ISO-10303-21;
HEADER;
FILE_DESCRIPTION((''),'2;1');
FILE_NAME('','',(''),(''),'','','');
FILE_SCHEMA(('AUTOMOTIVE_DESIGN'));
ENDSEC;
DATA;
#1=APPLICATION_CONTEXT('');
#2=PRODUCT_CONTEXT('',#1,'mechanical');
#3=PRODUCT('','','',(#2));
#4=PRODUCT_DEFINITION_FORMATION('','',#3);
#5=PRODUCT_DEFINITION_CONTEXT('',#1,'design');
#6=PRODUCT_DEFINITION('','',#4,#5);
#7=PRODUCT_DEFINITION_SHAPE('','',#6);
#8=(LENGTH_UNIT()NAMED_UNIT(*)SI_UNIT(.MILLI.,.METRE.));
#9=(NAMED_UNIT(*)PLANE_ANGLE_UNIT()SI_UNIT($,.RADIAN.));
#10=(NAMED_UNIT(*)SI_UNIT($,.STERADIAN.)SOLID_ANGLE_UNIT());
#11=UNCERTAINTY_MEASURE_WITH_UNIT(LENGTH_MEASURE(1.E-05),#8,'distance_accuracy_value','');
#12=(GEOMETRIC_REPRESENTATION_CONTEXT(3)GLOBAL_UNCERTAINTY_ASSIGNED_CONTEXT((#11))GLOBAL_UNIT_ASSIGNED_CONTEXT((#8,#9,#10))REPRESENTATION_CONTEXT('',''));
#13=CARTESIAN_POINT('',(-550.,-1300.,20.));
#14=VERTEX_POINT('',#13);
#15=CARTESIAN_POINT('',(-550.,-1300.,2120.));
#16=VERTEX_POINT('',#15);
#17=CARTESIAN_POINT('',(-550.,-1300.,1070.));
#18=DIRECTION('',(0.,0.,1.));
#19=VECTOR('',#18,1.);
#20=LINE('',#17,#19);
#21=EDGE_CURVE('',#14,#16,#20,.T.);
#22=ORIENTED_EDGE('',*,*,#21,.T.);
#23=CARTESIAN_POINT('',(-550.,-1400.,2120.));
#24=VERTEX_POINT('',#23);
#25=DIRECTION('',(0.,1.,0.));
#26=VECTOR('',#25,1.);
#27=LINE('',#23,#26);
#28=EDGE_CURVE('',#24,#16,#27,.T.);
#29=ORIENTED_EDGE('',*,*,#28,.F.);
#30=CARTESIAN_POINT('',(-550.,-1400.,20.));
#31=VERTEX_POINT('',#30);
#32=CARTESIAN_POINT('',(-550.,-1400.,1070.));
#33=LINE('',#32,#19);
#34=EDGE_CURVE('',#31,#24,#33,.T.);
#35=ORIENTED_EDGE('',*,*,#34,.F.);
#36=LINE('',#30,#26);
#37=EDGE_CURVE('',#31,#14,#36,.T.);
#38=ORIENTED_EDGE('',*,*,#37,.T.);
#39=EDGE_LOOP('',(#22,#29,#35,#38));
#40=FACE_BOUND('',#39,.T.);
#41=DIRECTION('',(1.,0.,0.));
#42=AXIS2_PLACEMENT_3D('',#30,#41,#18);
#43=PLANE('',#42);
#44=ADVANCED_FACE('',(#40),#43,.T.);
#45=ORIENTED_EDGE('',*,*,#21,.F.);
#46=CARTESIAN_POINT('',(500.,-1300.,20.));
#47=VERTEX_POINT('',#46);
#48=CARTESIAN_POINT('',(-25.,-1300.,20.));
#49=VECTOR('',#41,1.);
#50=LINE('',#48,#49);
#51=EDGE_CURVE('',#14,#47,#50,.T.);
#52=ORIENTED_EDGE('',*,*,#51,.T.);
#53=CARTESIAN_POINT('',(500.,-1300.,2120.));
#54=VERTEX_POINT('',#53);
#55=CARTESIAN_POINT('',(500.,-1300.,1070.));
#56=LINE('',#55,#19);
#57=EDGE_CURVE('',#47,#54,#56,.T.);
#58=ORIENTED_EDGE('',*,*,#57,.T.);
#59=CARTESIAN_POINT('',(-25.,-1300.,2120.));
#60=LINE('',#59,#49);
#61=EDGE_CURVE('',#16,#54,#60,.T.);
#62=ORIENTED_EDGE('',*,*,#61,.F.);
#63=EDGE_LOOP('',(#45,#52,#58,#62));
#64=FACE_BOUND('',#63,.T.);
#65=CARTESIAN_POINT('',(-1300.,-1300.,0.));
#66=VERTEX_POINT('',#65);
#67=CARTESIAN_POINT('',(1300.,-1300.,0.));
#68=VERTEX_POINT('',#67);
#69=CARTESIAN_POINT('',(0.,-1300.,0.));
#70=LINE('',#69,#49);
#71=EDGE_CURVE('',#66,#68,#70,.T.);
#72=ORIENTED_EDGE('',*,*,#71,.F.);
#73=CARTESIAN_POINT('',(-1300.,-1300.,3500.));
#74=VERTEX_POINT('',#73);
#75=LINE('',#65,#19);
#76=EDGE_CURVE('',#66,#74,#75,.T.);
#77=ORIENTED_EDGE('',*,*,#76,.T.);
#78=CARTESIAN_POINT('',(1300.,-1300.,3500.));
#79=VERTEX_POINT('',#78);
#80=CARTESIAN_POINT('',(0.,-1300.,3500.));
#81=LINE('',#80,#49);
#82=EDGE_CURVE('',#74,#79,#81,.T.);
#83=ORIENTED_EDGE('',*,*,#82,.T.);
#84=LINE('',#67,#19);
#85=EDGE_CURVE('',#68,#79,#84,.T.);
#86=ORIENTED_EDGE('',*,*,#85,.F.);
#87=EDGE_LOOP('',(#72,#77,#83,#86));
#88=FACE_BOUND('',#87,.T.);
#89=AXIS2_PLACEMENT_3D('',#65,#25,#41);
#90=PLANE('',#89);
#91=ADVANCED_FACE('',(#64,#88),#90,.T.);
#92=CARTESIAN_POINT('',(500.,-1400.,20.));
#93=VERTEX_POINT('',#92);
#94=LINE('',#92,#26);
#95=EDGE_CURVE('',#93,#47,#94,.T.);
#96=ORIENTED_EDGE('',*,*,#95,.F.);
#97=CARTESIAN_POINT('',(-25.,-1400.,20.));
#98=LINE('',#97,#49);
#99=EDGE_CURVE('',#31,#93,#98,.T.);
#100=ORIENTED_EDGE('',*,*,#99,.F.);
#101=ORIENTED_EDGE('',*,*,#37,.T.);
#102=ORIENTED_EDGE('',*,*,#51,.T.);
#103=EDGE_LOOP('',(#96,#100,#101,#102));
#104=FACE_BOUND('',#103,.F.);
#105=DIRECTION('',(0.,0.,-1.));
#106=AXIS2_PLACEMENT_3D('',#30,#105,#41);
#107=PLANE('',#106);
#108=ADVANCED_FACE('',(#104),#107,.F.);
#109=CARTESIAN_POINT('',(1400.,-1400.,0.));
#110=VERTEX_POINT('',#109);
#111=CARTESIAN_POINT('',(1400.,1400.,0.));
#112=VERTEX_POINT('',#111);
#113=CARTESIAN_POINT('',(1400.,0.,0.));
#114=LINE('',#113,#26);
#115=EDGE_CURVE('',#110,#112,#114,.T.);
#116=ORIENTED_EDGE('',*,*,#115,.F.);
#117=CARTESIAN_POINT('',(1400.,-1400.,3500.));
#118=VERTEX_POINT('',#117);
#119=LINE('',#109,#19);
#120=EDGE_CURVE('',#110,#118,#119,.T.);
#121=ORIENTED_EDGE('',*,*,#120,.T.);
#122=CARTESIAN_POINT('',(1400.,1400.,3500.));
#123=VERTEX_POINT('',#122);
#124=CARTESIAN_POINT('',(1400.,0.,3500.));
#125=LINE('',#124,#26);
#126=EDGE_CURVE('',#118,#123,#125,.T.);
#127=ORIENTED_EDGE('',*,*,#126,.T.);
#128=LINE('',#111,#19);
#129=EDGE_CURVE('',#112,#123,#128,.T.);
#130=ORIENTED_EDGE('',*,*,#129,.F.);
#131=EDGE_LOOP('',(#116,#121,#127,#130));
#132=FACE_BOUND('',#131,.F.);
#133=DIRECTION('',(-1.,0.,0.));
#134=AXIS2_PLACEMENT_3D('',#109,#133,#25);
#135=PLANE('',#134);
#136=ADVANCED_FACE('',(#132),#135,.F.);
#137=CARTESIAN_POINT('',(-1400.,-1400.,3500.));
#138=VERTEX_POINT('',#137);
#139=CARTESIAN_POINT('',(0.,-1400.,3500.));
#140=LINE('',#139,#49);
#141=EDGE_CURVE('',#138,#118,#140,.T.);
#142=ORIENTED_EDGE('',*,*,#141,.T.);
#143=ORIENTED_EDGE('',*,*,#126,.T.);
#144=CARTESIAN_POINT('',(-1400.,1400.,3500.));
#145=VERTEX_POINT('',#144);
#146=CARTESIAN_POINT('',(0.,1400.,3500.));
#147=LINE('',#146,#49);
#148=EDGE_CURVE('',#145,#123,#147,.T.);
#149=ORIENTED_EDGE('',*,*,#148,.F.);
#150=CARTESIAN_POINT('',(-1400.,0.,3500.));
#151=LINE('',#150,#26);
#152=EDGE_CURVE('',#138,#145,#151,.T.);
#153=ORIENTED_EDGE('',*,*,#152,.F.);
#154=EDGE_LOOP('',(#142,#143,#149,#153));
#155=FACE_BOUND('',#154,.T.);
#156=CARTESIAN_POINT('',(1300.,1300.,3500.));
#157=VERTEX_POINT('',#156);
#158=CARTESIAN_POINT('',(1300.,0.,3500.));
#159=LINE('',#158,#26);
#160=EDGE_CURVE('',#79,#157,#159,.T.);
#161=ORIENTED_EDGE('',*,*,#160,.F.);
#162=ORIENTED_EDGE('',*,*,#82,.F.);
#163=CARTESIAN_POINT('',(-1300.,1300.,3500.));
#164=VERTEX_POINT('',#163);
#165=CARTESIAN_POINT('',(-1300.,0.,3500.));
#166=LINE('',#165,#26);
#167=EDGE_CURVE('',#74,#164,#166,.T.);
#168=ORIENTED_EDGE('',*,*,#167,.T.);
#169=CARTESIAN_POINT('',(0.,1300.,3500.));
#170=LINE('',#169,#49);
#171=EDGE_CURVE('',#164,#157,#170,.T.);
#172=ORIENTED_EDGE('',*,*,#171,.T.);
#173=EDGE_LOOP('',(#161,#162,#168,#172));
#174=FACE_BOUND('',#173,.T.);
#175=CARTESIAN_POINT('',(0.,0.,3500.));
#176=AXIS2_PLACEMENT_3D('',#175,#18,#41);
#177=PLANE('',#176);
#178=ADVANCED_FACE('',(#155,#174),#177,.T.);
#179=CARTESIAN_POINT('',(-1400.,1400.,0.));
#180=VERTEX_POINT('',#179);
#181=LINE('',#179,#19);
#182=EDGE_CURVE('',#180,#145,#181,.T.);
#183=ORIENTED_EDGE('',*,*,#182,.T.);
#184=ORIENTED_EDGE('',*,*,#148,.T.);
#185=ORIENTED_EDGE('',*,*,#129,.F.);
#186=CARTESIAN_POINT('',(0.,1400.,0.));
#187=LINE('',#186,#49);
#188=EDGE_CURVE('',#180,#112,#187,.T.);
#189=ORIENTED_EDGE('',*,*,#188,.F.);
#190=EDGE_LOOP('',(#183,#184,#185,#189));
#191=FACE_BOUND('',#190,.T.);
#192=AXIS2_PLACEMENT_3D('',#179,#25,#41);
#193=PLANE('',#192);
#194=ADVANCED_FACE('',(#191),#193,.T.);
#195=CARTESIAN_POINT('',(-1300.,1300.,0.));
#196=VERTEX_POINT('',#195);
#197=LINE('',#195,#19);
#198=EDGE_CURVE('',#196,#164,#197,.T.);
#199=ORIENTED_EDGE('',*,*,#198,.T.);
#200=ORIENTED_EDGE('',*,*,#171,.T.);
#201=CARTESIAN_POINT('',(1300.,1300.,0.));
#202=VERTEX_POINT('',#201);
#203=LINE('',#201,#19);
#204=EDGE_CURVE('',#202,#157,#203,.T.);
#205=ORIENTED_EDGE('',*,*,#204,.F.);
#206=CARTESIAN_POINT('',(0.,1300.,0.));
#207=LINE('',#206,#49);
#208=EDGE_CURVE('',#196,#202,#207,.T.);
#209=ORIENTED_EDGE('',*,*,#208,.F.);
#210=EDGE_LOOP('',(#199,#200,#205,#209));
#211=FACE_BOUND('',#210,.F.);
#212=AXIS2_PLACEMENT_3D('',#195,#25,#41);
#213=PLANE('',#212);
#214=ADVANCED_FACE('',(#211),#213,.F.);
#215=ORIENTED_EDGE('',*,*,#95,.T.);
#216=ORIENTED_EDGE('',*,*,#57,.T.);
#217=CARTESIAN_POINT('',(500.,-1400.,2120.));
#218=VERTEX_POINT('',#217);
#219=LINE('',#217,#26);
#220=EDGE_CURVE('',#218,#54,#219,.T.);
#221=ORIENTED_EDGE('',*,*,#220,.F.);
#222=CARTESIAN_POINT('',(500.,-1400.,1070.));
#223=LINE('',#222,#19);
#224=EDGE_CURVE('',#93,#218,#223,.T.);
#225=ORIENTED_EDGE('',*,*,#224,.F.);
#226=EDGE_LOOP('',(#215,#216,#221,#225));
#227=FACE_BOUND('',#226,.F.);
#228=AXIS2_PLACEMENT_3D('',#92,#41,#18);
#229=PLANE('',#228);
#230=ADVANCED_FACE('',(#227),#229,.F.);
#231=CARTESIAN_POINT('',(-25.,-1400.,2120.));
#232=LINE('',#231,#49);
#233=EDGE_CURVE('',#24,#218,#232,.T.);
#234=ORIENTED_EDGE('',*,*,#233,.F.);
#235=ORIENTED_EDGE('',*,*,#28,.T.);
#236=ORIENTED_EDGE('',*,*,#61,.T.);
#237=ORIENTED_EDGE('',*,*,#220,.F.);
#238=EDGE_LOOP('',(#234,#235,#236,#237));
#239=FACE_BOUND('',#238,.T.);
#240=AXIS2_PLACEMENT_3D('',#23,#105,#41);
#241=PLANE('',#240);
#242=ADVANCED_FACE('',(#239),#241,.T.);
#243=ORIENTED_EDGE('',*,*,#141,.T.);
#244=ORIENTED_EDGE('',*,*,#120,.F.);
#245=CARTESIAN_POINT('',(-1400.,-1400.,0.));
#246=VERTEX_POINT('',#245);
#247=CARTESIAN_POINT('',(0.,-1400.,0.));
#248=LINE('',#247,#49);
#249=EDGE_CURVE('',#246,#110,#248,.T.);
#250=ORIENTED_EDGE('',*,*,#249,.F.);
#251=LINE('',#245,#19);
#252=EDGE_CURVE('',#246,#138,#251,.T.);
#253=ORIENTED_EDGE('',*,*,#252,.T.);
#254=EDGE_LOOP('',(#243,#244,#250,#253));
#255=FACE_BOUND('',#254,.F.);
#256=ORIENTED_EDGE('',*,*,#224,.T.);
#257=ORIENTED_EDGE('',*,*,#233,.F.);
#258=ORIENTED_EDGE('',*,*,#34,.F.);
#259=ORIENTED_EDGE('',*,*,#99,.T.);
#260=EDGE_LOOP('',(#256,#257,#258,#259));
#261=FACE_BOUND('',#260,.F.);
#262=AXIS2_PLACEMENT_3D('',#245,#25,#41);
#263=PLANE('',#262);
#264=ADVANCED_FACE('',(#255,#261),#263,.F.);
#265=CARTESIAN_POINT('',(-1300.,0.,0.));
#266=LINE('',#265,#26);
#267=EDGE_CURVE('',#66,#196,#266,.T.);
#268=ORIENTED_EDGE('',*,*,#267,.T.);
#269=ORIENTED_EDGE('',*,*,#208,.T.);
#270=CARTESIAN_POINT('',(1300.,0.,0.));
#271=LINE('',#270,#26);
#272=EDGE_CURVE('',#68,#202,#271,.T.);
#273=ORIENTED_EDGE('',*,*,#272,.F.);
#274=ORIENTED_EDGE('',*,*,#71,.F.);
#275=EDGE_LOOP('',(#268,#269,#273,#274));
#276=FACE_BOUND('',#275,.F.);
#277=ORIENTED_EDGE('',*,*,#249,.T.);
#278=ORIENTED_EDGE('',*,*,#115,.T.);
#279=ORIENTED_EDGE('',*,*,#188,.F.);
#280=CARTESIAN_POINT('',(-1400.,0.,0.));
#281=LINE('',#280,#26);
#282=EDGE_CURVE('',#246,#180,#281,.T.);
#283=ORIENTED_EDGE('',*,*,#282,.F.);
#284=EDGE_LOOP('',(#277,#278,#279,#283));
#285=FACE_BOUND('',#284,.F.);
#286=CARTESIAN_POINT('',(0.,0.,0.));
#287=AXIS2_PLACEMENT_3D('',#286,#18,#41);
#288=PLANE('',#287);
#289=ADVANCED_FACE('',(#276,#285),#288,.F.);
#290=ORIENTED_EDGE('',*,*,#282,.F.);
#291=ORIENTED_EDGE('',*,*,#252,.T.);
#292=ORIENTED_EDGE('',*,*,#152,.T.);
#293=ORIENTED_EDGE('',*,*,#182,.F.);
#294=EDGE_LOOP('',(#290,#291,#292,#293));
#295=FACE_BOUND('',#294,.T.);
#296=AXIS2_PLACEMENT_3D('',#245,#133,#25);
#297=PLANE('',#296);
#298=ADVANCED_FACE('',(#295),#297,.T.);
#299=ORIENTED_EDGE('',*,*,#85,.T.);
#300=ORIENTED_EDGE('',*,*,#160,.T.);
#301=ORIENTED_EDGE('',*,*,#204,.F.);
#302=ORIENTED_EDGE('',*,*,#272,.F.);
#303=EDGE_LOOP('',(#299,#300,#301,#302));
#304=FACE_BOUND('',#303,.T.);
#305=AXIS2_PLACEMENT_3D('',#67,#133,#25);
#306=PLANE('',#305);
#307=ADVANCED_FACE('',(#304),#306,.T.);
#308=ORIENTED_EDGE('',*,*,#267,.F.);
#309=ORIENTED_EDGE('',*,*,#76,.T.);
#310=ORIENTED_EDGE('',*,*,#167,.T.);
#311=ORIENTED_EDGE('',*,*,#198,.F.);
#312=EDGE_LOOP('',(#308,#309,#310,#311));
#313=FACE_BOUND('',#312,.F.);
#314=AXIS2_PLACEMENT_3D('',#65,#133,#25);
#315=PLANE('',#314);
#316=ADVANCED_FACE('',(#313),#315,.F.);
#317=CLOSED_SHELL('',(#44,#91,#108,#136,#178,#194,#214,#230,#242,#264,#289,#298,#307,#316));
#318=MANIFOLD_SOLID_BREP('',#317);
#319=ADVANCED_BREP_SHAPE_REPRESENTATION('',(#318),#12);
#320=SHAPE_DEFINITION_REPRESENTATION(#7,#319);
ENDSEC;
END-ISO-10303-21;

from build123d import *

# Parameters (mm, degrees)
F0_W     = 2800
F0_H     = 2800
F0_W_2   = 2600
F0_H_2   = 2600
F1_DEPTH = 3500
F2_W     = 1050
F2_H     = 2100
F3_DEPTH = 100


with BuildPart() as f1:
    # F0 (on Top) → F1 (new body)
    with BuildSketch(Plane.XY):
        Rectangle(F0_W, F0_H)
        Rectangle(F0_W_2, F0_H_2, mode=Mode.SUBTRACT)
    extrude(amount=F1_DEPTH)

    # F2 (on face) → F3 (cut, through all)
    with BuildSketch(Plane.XZ.offset(1400)):
        with Locations((-25, 1070)):
            Rectangle(F2_W, F2_H)
    extrude(amount=-F3_DEPTH, mode=Mode.SUBTRACT)


solid = f1.part
